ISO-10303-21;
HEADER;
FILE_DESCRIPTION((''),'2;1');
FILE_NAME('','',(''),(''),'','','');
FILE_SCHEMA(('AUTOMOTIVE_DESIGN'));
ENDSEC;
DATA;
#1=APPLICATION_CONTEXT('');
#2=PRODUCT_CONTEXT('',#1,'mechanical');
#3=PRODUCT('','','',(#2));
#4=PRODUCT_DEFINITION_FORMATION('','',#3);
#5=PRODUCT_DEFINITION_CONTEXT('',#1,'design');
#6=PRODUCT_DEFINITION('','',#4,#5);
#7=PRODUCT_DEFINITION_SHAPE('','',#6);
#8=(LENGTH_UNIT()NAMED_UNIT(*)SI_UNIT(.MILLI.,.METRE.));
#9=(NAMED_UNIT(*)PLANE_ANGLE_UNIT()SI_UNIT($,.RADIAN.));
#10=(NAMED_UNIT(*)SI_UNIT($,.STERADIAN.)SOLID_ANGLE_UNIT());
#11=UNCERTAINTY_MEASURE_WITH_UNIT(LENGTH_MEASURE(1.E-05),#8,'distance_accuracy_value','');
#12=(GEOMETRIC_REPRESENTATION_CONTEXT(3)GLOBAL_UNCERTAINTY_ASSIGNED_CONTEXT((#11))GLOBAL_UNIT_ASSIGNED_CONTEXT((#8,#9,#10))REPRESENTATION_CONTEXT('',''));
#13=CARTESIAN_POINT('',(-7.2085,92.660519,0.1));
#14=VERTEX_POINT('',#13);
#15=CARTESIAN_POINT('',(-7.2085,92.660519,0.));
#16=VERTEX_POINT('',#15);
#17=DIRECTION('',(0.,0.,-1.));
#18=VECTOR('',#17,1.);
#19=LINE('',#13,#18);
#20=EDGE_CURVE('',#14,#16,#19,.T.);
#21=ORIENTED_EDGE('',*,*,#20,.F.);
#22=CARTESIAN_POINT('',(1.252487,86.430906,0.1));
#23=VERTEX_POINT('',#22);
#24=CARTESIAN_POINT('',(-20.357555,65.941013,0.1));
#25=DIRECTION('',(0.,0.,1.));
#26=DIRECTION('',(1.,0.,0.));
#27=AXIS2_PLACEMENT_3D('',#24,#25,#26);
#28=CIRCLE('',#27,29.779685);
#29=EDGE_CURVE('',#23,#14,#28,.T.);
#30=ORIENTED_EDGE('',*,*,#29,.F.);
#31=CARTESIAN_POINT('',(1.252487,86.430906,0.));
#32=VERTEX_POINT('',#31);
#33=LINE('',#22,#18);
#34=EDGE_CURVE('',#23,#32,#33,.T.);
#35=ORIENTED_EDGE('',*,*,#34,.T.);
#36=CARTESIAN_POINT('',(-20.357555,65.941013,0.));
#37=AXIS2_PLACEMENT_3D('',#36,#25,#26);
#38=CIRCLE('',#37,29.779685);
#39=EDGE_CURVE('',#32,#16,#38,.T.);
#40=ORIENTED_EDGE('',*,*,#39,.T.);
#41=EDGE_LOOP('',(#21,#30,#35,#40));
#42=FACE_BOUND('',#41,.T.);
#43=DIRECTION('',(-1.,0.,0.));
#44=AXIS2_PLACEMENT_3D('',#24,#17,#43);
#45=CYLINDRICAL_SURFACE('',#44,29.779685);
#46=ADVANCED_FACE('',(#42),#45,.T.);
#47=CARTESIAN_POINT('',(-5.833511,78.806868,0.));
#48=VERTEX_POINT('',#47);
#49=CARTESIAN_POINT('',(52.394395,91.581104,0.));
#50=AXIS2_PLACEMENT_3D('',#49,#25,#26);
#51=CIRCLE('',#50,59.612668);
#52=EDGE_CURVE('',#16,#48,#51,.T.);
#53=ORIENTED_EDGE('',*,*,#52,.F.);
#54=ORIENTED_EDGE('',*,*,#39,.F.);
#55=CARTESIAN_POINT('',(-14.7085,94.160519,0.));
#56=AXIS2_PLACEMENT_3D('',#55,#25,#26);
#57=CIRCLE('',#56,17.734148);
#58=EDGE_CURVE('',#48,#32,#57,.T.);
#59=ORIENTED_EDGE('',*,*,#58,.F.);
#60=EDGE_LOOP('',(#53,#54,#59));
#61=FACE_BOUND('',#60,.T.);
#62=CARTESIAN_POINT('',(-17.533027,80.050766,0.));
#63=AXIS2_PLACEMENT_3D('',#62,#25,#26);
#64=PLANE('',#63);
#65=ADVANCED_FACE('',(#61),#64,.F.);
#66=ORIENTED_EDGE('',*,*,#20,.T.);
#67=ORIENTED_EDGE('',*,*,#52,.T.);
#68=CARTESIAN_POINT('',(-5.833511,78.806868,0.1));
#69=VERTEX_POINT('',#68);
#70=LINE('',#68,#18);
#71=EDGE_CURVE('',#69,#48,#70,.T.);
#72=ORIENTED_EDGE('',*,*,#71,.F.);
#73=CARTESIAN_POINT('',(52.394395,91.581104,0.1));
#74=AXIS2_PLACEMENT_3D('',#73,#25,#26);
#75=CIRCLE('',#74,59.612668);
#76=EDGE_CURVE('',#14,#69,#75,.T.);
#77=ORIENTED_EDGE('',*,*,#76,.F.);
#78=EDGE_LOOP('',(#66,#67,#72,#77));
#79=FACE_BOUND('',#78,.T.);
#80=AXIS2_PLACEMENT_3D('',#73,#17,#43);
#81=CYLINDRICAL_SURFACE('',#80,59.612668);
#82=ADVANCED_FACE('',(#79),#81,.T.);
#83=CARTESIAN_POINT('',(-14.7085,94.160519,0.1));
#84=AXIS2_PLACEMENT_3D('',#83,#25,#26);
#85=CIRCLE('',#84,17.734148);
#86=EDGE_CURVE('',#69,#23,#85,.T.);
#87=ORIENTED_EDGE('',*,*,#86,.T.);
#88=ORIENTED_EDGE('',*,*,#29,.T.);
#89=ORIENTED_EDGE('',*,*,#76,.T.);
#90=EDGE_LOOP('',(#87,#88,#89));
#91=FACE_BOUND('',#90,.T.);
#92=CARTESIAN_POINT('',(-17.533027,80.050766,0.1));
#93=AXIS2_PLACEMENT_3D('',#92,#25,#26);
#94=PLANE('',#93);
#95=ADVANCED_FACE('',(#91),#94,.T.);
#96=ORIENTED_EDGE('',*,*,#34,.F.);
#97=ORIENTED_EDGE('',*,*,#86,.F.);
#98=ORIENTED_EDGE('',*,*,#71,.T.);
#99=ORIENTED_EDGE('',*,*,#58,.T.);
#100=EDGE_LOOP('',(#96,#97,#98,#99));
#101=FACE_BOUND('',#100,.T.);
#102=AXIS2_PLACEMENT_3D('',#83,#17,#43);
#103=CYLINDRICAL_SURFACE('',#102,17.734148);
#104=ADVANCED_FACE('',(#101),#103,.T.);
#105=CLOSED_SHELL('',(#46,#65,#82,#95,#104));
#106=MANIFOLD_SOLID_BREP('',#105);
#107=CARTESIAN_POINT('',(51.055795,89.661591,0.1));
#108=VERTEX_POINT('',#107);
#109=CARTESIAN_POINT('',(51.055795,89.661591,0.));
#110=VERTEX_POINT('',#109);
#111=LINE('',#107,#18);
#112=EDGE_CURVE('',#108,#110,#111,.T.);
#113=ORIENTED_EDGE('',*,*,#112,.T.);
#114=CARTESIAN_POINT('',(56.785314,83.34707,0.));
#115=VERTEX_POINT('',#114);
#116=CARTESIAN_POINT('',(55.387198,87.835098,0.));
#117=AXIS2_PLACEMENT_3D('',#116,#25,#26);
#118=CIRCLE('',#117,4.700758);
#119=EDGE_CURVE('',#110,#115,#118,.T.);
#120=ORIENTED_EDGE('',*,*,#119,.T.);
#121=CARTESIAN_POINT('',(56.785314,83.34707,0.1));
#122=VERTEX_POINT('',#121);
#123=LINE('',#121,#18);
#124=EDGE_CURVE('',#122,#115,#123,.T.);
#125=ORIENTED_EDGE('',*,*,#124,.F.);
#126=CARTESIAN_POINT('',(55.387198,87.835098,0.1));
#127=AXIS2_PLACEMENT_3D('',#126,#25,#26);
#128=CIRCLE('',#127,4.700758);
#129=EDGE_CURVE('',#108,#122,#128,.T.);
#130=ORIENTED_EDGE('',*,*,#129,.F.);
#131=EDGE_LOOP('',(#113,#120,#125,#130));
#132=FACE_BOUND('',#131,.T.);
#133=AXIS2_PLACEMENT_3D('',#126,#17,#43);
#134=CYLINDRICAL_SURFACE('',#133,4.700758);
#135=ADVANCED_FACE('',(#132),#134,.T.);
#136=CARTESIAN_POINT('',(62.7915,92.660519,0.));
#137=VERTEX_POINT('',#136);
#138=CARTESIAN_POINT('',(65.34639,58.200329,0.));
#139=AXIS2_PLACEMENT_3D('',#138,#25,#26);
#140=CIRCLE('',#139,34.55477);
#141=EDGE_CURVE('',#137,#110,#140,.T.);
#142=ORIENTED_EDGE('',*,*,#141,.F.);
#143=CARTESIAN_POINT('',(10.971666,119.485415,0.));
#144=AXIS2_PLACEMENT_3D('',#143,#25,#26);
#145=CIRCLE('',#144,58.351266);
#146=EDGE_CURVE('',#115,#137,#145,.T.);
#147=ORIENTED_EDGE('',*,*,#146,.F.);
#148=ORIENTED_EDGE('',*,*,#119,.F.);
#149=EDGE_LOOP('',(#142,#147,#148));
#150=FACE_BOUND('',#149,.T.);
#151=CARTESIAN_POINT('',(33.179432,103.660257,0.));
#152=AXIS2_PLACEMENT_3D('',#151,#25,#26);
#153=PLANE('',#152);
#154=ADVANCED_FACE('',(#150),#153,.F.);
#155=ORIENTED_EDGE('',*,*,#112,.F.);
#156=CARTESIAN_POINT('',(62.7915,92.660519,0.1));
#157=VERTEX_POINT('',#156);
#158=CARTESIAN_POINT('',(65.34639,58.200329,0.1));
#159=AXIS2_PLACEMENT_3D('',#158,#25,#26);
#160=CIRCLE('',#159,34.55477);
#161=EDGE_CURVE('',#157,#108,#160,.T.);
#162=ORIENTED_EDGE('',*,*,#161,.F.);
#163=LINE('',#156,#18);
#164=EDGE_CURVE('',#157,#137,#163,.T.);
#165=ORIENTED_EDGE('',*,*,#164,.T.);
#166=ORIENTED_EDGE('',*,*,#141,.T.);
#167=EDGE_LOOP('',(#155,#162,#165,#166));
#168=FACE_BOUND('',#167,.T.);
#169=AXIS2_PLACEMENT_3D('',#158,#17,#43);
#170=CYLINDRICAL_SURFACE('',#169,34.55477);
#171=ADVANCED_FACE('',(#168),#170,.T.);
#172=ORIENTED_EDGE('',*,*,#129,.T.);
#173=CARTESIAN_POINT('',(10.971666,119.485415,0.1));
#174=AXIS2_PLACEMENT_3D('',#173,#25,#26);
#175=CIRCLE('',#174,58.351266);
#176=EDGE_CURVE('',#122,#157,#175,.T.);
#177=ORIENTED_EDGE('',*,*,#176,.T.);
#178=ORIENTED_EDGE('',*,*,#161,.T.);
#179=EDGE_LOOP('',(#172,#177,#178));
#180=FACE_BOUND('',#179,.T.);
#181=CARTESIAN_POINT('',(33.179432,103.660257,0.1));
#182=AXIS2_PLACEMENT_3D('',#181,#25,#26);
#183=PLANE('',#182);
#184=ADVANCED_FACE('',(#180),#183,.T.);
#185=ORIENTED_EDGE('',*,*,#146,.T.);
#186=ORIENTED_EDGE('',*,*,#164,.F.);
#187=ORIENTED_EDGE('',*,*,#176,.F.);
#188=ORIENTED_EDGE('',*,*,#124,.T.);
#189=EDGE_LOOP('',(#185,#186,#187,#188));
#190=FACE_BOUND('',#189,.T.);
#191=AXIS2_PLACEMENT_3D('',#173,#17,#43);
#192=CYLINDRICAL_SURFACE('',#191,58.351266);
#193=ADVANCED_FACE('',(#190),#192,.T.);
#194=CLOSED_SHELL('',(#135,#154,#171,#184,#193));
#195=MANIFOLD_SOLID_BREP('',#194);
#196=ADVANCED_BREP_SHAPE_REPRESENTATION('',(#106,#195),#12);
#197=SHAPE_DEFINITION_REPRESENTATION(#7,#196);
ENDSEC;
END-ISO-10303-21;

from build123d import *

# Parameters (mm, degrees)
SALIENTE_EXTRUIR1_DEPTH   = 0.1
SALIENTE_EXTRUIR1_2_DEPTH = 0.1


with BuildPart() as part:
    # Model → Saliente-Extruir1 (new body)
    with BuildSketch(Plane.XY):
        with BuildLine():
            ThreePointArc((56.7853139, 83.347070157), (60.010011193, 87.860883314), (62.79150044, 92.660518656))
            ThreePointArc((62.79150044, 92.660518656), (56.791217612, 91.679294852), (51.055795467, 89.661591454))
            ThreePointArc((51.055795467, 89.661591454), (51.905913993, 84.6763346), (56.7853139, 83.347070157))
        make_face()
    extrude(amount=SALIENTE_EXTRUIR1_DEPTH)


with BuildPart() as body_2:
    # Model → Saliente-Extruir1 2 (new body)
    with BuildSketch(Plane.XY):
        with BuildLine():
            ThreePointArc((1.252486962, 86.430906166), (-2.701090718, 89.9218159), (-7.20849956, 92.660518656))
            ThreePointArc((-7.20849956, 92.660518656), (-6.926809654, 85.693416928), (-5.833511394, 78.806868111))
            ThreePointArc((-5.833511394, 78.806868111), (-1.718584289, 82.087321015), (1.252486962, 86.430906166))
        make_face()
    extrude(amount=SALIENTE_EXTRUIR1_2_DEPTH)


solid = Compound([part.part, body_2.part])
